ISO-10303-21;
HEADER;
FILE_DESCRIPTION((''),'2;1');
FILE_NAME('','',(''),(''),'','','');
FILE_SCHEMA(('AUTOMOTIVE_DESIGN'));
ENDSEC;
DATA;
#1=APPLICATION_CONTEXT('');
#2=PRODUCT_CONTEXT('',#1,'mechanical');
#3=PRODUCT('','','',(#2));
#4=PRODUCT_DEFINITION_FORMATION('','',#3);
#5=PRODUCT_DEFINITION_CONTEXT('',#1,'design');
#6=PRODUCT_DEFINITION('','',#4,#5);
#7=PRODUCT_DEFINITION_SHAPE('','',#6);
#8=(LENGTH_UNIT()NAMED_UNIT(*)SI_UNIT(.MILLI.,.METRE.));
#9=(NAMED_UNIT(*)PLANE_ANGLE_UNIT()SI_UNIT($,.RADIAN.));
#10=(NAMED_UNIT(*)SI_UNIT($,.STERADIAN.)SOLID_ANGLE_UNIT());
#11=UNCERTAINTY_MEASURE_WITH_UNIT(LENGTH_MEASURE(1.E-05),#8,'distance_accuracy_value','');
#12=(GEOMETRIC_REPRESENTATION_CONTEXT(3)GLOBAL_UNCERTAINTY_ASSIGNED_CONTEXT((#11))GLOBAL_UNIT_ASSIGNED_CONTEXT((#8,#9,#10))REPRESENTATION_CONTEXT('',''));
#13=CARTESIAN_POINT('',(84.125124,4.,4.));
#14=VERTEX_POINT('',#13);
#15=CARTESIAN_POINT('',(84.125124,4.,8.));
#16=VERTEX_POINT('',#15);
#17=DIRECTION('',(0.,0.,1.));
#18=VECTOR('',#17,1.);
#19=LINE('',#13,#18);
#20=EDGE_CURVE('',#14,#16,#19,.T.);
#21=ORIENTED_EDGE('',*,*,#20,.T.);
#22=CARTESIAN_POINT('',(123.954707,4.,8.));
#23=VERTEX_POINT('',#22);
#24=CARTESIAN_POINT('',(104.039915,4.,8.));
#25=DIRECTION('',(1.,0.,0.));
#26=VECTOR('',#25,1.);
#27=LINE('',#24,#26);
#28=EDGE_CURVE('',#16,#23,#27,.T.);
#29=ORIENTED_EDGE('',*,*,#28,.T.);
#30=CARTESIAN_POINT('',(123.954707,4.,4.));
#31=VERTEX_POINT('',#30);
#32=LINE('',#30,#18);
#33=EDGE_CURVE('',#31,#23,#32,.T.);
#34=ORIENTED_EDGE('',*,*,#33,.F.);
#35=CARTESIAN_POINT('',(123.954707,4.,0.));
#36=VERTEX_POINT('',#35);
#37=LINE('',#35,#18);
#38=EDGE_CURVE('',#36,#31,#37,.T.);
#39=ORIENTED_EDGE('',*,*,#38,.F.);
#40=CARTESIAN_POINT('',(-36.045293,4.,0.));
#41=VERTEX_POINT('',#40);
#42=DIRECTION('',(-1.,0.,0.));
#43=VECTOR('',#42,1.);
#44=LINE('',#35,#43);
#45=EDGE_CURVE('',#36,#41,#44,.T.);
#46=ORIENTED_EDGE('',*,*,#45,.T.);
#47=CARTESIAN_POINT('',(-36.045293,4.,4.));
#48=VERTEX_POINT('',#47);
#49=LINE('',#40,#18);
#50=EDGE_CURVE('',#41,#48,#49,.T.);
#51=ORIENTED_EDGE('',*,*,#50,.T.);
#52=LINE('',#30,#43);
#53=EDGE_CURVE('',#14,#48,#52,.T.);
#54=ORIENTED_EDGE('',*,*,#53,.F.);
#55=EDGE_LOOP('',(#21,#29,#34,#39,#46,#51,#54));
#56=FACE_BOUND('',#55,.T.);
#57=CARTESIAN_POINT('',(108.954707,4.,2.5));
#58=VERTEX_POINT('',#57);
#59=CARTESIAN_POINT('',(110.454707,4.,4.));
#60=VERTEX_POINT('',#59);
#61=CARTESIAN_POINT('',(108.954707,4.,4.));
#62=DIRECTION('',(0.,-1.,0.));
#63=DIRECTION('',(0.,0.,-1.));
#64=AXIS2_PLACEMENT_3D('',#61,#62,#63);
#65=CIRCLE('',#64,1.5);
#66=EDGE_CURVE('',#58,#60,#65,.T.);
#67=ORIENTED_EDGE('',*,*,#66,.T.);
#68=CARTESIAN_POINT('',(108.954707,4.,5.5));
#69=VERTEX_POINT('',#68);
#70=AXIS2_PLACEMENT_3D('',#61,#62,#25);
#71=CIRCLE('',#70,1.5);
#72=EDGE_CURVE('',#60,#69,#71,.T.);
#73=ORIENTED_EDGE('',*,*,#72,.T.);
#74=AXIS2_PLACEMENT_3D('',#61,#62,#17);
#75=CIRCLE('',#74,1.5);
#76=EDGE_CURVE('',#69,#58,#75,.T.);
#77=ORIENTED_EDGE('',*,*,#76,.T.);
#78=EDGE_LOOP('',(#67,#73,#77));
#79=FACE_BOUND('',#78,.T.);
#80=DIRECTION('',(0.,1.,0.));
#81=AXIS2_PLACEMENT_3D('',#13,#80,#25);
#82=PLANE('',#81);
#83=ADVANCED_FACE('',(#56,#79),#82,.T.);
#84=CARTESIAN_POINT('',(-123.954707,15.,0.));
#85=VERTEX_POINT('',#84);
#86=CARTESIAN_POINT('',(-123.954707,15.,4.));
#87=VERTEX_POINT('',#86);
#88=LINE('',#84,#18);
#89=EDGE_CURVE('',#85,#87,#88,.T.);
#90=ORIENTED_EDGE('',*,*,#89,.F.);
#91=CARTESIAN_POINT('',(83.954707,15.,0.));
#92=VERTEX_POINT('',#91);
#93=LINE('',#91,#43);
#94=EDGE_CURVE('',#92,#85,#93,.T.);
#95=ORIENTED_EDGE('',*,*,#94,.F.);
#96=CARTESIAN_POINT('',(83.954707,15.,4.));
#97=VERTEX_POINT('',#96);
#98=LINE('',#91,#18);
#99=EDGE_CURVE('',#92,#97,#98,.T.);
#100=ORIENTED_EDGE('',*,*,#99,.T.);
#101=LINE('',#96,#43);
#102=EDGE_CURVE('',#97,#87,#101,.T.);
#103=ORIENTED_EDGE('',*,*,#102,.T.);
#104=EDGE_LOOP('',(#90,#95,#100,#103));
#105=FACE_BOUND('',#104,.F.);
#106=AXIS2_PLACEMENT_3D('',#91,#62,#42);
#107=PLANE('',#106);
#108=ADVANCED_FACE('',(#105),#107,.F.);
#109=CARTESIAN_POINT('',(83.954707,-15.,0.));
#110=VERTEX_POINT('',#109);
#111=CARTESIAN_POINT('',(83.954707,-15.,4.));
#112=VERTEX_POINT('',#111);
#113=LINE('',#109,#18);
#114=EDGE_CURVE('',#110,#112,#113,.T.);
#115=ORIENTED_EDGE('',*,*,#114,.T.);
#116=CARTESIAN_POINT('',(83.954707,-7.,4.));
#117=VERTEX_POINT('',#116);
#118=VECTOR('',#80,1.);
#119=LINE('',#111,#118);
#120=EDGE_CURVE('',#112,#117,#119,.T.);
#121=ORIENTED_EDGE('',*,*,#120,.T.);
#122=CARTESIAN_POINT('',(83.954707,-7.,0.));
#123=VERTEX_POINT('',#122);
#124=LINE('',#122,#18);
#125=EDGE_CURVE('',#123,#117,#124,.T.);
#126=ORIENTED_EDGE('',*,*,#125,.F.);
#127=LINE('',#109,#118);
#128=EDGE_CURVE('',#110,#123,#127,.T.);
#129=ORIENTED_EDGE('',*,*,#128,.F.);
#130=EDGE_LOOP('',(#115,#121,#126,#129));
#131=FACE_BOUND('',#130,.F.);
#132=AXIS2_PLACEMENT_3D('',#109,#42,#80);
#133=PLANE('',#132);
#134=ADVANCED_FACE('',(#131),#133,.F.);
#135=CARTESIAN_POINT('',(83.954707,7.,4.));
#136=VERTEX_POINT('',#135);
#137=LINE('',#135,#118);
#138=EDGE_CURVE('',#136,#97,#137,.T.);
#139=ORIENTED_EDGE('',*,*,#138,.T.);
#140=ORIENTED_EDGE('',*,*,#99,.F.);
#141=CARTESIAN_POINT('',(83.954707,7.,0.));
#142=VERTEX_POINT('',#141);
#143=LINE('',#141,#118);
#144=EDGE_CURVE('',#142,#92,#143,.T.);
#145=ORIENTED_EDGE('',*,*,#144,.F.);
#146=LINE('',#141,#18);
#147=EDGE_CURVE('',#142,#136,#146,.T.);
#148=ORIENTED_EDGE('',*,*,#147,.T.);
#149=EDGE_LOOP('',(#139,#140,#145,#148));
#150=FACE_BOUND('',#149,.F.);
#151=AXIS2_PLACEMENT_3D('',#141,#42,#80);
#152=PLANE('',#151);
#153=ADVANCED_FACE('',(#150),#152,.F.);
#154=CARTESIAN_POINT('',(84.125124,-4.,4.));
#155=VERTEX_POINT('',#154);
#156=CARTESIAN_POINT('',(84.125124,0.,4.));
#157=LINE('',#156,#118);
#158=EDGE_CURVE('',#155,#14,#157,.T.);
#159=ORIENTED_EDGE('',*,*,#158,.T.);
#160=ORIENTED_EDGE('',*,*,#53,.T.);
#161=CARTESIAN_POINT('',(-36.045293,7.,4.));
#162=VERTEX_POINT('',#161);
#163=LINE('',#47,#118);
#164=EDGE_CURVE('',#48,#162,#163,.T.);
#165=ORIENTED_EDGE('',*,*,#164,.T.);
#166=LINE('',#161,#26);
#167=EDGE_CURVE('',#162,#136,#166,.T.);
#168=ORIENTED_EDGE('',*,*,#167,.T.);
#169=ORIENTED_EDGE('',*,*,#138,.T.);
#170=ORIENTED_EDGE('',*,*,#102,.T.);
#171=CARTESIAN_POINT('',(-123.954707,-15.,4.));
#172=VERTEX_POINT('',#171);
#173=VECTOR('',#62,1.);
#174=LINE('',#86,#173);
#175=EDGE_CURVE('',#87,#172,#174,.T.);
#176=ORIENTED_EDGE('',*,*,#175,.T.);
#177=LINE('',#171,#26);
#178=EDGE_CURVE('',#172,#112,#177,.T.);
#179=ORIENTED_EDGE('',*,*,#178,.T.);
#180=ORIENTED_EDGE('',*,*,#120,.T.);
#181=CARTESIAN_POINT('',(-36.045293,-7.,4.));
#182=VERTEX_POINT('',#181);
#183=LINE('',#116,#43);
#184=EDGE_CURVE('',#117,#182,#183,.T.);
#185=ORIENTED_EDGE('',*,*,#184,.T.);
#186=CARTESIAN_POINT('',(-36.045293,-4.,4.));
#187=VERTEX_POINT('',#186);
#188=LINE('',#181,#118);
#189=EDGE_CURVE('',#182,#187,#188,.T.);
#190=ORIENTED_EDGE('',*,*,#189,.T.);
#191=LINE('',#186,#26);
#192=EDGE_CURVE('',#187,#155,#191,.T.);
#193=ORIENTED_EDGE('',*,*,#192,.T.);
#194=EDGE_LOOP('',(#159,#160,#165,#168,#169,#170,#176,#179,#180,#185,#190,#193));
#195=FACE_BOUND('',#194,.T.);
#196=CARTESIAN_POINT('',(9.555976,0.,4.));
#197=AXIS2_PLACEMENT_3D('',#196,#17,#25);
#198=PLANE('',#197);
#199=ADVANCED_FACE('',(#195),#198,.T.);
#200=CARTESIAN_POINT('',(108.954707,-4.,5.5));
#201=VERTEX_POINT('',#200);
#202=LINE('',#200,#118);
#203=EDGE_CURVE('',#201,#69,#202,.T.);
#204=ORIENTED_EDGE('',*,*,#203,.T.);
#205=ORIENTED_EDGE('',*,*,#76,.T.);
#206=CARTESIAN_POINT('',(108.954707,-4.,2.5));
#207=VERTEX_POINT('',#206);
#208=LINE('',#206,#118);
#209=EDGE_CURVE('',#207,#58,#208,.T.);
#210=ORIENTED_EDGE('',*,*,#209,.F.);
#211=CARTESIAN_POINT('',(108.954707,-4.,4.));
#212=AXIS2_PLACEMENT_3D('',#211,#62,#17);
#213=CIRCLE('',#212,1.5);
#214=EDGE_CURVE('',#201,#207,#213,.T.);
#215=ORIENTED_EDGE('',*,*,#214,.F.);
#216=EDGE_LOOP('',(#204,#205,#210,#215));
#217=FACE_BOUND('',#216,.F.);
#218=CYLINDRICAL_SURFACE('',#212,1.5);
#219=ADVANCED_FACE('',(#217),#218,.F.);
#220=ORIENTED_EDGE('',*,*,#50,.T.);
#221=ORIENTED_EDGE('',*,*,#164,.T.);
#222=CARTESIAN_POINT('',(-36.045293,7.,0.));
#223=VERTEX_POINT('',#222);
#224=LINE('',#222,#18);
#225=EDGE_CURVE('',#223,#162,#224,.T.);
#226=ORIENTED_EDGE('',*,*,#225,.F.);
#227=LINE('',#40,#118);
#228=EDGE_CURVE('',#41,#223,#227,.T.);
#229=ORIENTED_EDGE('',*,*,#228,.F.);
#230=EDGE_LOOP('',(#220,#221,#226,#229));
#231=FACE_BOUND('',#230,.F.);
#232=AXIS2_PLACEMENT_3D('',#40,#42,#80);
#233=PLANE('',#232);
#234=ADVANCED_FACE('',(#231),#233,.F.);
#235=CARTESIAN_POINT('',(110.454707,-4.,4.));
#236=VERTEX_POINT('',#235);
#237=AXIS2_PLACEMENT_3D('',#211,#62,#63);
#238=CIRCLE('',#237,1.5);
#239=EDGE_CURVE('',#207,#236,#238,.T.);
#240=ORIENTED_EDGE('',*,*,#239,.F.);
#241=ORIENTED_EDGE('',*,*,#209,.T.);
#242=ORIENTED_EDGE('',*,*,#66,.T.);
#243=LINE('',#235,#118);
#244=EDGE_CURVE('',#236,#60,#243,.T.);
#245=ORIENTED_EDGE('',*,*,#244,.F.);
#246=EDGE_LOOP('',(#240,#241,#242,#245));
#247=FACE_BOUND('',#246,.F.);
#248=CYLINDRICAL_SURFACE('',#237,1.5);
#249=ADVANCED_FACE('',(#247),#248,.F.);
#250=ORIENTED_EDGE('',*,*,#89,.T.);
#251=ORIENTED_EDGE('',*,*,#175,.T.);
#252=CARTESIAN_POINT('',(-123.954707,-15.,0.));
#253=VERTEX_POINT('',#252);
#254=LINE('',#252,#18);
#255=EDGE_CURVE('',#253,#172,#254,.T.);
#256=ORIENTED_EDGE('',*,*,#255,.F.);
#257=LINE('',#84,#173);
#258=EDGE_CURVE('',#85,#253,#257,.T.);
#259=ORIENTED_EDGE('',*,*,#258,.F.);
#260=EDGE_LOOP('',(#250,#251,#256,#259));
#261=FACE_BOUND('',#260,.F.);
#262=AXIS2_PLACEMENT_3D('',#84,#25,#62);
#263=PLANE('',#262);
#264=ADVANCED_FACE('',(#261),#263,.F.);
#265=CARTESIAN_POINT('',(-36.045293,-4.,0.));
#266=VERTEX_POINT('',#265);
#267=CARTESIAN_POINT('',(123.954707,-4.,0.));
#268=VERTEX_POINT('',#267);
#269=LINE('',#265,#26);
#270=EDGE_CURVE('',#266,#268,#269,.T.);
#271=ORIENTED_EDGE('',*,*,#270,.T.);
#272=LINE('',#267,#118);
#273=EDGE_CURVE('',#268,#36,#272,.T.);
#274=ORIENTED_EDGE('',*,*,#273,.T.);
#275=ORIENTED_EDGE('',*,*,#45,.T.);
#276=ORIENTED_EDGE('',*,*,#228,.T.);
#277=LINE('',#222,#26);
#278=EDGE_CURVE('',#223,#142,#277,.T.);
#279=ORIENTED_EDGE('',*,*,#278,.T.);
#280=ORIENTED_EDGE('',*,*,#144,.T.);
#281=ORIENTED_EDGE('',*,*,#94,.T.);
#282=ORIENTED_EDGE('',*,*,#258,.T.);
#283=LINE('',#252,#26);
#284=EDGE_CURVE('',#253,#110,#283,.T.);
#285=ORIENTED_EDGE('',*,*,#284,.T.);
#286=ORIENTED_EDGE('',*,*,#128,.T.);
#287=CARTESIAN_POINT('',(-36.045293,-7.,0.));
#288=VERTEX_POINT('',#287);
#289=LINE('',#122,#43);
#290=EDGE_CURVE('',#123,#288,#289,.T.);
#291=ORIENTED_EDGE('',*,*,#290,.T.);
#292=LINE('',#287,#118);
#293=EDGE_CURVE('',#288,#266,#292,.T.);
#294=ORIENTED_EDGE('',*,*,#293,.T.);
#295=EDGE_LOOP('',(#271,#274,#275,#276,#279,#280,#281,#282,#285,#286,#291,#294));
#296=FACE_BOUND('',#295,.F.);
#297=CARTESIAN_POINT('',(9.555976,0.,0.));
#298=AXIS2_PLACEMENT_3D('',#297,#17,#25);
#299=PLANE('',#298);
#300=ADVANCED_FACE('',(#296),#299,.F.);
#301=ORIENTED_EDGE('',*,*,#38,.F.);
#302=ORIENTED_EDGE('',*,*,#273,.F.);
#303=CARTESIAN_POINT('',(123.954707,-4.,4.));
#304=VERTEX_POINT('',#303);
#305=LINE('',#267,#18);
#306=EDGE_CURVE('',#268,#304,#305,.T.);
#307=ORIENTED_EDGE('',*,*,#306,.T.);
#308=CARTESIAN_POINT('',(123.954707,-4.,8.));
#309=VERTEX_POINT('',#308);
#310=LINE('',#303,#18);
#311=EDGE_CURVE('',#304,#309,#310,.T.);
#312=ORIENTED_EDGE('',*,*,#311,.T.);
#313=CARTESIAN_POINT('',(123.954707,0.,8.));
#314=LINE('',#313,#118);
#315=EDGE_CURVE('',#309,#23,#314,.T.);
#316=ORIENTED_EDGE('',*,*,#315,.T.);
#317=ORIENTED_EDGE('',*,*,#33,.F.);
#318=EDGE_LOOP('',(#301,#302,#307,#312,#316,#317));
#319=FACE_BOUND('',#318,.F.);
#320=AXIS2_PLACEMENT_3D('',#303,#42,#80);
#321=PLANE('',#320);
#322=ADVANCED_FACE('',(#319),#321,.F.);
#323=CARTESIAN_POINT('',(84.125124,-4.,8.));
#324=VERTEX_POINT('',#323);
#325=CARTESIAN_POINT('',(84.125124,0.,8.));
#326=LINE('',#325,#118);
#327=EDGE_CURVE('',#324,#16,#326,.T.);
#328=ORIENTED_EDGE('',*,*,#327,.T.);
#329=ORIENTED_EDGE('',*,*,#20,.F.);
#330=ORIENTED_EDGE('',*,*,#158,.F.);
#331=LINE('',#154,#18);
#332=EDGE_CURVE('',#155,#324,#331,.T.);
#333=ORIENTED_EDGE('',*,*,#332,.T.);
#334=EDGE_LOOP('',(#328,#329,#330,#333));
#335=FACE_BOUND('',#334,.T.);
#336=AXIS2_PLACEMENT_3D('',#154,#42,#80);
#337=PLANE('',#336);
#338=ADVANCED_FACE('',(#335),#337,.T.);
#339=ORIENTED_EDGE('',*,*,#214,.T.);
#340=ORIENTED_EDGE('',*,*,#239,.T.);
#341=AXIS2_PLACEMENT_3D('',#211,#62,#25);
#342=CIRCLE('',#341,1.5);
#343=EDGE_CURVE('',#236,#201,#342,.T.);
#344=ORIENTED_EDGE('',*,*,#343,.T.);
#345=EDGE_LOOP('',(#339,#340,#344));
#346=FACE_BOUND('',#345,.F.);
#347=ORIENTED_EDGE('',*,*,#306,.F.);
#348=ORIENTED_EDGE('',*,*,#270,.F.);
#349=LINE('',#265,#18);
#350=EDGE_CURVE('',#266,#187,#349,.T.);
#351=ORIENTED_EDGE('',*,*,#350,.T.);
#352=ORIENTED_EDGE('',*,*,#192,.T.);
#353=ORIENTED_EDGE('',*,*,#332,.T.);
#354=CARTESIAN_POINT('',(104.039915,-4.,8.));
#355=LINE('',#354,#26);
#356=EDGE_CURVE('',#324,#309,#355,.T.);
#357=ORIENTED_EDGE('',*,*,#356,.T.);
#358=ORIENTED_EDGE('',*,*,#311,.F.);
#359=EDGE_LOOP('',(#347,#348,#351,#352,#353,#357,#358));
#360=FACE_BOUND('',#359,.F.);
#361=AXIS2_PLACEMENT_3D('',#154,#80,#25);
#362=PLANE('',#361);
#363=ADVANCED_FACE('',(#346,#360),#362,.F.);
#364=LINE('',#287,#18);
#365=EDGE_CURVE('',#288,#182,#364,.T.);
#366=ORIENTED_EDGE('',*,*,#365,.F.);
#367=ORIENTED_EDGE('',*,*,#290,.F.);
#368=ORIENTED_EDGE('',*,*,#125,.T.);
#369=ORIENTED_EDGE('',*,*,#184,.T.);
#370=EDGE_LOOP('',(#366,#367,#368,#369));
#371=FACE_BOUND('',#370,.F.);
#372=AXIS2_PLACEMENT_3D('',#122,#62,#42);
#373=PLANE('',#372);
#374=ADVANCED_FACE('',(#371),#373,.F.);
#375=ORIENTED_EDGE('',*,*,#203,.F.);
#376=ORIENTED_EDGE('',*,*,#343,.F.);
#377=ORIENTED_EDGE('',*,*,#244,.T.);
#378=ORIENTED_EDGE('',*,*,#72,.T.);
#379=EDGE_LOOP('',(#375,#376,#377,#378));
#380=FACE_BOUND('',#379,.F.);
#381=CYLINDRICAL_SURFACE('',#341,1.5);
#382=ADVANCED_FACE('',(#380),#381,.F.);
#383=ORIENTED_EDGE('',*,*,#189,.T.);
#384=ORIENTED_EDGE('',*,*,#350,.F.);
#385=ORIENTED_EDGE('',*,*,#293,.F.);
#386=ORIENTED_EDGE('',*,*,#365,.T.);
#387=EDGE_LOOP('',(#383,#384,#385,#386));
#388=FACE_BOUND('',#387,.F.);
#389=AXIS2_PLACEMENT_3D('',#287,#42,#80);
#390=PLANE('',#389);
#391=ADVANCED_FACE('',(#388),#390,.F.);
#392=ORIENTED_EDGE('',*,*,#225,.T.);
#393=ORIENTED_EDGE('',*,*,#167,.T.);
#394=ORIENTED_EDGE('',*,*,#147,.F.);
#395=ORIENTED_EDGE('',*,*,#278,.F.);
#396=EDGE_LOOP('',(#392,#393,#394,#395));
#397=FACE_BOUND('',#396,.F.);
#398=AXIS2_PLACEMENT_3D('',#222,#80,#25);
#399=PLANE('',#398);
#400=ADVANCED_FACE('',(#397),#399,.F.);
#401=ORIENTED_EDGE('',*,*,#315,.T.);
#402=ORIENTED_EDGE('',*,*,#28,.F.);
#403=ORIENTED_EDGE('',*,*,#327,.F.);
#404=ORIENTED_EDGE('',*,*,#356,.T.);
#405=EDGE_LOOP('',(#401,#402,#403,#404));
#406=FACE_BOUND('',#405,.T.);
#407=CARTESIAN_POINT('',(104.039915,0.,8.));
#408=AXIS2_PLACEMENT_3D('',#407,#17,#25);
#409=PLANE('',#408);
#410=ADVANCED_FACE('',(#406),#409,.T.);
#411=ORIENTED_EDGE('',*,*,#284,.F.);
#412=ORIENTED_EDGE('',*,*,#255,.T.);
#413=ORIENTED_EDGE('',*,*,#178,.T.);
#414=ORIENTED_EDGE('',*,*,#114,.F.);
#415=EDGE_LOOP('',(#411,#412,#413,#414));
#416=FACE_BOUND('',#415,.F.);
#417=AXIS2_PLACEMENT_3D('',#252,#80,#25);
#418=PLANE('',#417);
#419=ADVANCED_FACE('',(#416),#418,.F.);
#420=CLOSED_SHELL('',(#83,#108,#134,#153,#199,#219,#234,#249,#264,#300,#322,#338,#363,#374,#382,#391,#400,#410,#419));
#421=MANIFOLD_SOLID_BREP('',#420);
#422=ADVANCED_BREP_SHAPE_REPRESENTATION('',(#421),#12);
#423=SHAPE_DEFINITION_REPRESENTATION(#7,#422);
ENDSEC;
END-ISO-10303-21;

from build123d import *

# Parameters (mm, degrees)
F1_DEPTH = 4
F2_W     = 39.8295831093
F2_H     = 8
F3_DEPTH = 4
F5_DEPTH = 58.8


with BuildPart() as f1:
    # F0 (on Top) → F1 (new body)
    with BuildSketch(Plane.XY):
        Polygon((-123.9547070274, -15), (83.9547070274, -15), (83.9547070274, -7), (-36.0452929726, -7), (-36.0452929726, -4), (123.9547070274, -4), (123.9547070274, 4), (-36.0452929726, 4), (-36.0452929726, 7), (83.9547070274, 7), (83.9547070274, 15), (-123.9547070274, 15), align=None)
    extrude(amount=F1_DEPTH)

    # F2 (on face) → F3 (join)
    with BuildSketch(Plane.XY.offset(4)):
        with Locations((104.0399154727, 0)):
            Rectangle(F2_W, F2_H)
    extrude(amount=F3_DEPTH)

    # F4 (on face) → F5 (cut)
    with BuildSketch(Plane.XZ.offset(4)):
        with BuildLine():
            ThreePointArc((110.4547070274, 4), (110.0153671992, 5.0606601718), (108.9547070274, 5.5))
            Line((108.9547070274, 5.5), (108.9547070274, 2.5))
            ThreePointArc((108.9547070274, 2.5), (110.0153671992, 2.9393398282), (110.4547070274, 4))
        make_face()
        with BuildLine():
            Line((108.9547070274, 2.5), (108.9547070274, 5.5))
            ThreePointArc((108.9547070274, 5.5), (107.4547070274, 4), (108.9547070274, 2.5))
        make_face()
    extrude(amount=-F5_DEPTH, mode=Mode.SUBTRACT)


solid = f1.part
